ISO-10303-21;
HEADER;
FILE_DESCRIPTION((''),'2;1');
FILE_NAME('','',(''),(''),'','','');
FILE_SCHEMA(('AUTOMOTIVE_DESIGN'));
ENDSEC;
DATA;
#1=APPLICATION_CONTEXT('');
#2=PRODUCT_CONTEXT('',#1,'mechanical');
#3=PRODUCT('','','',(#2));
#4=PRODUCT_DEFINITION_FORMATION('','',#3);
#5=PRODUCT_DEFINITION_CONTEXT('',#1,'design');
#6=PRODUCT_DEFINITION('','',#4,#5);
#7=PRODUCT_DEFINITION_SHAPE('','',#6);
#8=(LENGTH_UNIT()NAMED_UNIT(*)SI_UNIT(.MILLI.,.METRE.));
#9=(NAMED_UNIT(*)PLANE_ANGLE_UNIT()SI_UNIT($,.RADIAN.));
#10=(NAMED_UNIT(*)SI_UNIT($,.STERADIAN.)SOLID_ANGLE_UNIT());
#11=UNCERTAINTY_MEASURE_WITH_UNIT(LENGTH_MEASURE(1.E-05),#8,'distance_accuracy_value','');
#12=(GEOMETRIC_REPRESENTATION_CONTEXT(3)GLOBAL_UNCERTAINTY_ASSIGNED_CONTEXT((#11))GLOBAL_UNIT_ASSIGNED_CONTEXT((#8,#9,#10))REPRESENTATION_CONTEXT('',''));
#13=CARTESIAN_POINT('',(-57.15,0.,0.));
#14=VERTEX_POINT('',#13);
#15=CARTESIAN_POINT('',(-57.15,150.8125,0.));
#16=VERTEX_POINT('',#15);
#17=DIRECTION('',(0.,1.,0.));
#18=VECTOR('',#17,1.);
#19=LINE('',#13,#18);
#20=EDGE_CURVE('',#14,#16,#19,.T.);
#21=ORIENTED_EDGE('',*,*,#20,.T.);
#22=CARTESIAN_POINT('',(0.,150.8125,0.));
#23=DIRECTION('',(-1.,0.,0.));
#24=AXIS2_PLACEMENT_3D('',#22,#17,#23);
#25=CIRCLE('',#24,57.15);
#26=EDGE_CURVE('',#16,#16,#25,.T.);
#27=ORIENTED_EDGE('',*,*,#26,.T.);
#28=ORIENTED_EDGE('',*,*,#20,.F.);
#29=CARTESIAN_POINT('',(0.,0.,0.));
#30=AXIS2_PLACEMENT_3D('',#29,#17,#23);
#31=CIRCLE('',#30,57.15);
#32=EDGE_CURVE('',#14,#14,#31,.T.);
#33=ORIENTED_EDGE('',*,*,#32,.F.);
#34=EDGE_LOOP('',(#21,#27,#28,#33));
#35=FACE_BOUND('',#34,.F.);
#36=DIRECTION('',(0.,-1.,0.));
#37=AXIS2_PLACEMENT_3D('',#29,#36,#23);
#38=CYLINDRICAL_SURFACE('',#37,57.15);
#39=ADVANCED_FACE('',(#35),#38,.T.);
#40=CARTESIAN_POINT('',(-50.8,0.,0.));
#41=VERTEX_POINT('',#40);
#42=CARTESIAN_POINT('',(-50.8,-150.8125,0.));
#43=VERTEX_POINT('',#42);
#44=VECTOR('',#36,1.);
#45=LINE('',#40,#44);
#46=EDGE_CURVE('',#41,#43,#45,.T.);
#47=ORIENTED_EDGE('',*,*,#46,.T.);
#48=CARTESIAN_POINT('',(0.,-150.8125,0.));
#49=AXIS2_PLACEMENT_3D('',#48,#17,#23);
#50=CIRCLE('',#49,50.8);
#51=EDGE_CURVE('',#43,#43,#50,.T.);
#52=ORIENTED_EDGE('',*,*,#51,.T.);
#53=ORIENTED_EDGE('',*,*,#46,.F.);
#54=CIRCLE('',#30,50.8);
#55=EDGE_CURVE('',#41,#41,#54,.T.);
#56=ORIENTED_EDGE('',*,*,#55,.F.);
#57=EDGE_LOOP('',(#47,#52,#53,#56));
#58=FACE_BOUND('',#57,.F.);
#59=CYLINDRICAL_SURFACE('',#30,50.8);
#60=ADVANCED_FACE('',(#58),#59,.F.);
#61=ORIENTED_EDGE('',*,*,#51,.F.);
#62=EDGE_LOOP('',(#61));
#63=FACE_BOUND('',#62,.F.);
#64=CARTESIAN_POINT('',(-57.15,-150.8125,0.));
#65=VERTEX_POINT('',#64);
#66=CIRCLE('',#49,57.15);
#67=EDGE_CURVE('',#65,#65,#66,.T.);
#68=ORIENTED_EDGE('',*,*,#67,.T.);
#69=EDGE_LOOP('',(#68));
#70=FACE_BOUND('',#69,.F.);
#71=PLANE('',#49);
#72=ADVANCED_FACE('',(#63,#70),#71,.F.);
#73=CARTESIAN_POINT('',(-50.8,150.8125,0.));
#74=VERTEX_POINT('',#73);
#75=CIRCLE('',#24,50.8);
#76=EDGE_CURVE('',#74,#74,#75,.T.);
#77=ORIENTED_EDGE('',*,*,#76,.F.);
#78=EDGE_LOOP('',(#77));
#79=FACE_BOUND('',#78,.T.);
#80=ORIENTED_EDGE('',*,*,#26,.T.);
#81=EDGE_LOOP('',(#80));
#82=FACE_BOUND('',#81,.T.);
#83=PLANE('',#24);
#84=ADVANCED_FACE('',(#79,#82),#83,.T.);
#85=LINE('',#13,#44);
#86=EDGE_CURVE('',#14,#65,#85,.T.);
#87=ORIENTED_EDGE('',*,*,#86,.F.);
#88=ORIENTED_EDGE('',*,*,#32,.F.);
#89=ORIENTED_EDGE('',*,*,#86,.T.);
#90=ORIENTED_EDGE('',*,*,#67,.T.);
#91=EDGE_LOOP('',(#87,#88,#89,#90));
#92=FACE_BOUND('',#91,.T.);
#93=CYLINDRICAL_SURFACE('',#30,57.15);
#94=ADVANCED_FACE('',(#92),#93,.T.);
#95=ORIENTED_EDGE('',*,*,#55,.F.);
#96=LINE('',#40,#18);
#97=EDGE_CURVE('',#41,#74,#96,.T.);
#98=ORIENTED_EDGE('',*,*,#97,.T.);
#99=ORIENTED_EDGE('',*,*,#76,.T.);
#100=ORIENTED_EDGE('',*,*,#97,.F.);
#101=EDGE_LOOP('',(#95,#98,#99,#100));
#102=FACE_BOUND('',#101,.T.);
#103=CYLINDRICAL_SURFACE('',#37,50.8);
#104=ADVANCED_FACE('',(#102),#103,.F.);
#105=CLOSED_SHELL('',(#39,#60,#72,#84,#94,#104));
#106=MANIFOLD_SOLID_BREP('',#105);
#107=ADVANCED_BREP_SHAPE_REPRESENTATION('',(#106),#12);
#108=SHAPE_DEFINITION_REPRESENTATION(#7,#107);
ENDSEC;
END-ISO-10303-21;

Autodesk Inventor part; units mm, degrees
ref_plane "YZ Plane" through (0, 0, 0) normal (1, 0, 0) x (0, 1, 0)
ref_plane "XZ Plane" through (0, 0, 0) normal (0, 1, 0) x (-1, 0, 0)
ref_plane "XY Plane" through (0, 0, 0) normal (0, 0, 1) x (1, 0, 0)
sketch "Sketch1" plane through (0, 0, 0) normal (0, 1, 0) x (-1, 0, 0)
  circle A0 centre (0, 0) radius 57.15
  circle A1 centre (0, 0) radius 50.8
  dimension "d0" = 114.3
  dimension "d1" = 101.6
extrude "Extrusion1" add sketch "Sketch1" along normal mid plane 301.625
properties part number "CORAL"
